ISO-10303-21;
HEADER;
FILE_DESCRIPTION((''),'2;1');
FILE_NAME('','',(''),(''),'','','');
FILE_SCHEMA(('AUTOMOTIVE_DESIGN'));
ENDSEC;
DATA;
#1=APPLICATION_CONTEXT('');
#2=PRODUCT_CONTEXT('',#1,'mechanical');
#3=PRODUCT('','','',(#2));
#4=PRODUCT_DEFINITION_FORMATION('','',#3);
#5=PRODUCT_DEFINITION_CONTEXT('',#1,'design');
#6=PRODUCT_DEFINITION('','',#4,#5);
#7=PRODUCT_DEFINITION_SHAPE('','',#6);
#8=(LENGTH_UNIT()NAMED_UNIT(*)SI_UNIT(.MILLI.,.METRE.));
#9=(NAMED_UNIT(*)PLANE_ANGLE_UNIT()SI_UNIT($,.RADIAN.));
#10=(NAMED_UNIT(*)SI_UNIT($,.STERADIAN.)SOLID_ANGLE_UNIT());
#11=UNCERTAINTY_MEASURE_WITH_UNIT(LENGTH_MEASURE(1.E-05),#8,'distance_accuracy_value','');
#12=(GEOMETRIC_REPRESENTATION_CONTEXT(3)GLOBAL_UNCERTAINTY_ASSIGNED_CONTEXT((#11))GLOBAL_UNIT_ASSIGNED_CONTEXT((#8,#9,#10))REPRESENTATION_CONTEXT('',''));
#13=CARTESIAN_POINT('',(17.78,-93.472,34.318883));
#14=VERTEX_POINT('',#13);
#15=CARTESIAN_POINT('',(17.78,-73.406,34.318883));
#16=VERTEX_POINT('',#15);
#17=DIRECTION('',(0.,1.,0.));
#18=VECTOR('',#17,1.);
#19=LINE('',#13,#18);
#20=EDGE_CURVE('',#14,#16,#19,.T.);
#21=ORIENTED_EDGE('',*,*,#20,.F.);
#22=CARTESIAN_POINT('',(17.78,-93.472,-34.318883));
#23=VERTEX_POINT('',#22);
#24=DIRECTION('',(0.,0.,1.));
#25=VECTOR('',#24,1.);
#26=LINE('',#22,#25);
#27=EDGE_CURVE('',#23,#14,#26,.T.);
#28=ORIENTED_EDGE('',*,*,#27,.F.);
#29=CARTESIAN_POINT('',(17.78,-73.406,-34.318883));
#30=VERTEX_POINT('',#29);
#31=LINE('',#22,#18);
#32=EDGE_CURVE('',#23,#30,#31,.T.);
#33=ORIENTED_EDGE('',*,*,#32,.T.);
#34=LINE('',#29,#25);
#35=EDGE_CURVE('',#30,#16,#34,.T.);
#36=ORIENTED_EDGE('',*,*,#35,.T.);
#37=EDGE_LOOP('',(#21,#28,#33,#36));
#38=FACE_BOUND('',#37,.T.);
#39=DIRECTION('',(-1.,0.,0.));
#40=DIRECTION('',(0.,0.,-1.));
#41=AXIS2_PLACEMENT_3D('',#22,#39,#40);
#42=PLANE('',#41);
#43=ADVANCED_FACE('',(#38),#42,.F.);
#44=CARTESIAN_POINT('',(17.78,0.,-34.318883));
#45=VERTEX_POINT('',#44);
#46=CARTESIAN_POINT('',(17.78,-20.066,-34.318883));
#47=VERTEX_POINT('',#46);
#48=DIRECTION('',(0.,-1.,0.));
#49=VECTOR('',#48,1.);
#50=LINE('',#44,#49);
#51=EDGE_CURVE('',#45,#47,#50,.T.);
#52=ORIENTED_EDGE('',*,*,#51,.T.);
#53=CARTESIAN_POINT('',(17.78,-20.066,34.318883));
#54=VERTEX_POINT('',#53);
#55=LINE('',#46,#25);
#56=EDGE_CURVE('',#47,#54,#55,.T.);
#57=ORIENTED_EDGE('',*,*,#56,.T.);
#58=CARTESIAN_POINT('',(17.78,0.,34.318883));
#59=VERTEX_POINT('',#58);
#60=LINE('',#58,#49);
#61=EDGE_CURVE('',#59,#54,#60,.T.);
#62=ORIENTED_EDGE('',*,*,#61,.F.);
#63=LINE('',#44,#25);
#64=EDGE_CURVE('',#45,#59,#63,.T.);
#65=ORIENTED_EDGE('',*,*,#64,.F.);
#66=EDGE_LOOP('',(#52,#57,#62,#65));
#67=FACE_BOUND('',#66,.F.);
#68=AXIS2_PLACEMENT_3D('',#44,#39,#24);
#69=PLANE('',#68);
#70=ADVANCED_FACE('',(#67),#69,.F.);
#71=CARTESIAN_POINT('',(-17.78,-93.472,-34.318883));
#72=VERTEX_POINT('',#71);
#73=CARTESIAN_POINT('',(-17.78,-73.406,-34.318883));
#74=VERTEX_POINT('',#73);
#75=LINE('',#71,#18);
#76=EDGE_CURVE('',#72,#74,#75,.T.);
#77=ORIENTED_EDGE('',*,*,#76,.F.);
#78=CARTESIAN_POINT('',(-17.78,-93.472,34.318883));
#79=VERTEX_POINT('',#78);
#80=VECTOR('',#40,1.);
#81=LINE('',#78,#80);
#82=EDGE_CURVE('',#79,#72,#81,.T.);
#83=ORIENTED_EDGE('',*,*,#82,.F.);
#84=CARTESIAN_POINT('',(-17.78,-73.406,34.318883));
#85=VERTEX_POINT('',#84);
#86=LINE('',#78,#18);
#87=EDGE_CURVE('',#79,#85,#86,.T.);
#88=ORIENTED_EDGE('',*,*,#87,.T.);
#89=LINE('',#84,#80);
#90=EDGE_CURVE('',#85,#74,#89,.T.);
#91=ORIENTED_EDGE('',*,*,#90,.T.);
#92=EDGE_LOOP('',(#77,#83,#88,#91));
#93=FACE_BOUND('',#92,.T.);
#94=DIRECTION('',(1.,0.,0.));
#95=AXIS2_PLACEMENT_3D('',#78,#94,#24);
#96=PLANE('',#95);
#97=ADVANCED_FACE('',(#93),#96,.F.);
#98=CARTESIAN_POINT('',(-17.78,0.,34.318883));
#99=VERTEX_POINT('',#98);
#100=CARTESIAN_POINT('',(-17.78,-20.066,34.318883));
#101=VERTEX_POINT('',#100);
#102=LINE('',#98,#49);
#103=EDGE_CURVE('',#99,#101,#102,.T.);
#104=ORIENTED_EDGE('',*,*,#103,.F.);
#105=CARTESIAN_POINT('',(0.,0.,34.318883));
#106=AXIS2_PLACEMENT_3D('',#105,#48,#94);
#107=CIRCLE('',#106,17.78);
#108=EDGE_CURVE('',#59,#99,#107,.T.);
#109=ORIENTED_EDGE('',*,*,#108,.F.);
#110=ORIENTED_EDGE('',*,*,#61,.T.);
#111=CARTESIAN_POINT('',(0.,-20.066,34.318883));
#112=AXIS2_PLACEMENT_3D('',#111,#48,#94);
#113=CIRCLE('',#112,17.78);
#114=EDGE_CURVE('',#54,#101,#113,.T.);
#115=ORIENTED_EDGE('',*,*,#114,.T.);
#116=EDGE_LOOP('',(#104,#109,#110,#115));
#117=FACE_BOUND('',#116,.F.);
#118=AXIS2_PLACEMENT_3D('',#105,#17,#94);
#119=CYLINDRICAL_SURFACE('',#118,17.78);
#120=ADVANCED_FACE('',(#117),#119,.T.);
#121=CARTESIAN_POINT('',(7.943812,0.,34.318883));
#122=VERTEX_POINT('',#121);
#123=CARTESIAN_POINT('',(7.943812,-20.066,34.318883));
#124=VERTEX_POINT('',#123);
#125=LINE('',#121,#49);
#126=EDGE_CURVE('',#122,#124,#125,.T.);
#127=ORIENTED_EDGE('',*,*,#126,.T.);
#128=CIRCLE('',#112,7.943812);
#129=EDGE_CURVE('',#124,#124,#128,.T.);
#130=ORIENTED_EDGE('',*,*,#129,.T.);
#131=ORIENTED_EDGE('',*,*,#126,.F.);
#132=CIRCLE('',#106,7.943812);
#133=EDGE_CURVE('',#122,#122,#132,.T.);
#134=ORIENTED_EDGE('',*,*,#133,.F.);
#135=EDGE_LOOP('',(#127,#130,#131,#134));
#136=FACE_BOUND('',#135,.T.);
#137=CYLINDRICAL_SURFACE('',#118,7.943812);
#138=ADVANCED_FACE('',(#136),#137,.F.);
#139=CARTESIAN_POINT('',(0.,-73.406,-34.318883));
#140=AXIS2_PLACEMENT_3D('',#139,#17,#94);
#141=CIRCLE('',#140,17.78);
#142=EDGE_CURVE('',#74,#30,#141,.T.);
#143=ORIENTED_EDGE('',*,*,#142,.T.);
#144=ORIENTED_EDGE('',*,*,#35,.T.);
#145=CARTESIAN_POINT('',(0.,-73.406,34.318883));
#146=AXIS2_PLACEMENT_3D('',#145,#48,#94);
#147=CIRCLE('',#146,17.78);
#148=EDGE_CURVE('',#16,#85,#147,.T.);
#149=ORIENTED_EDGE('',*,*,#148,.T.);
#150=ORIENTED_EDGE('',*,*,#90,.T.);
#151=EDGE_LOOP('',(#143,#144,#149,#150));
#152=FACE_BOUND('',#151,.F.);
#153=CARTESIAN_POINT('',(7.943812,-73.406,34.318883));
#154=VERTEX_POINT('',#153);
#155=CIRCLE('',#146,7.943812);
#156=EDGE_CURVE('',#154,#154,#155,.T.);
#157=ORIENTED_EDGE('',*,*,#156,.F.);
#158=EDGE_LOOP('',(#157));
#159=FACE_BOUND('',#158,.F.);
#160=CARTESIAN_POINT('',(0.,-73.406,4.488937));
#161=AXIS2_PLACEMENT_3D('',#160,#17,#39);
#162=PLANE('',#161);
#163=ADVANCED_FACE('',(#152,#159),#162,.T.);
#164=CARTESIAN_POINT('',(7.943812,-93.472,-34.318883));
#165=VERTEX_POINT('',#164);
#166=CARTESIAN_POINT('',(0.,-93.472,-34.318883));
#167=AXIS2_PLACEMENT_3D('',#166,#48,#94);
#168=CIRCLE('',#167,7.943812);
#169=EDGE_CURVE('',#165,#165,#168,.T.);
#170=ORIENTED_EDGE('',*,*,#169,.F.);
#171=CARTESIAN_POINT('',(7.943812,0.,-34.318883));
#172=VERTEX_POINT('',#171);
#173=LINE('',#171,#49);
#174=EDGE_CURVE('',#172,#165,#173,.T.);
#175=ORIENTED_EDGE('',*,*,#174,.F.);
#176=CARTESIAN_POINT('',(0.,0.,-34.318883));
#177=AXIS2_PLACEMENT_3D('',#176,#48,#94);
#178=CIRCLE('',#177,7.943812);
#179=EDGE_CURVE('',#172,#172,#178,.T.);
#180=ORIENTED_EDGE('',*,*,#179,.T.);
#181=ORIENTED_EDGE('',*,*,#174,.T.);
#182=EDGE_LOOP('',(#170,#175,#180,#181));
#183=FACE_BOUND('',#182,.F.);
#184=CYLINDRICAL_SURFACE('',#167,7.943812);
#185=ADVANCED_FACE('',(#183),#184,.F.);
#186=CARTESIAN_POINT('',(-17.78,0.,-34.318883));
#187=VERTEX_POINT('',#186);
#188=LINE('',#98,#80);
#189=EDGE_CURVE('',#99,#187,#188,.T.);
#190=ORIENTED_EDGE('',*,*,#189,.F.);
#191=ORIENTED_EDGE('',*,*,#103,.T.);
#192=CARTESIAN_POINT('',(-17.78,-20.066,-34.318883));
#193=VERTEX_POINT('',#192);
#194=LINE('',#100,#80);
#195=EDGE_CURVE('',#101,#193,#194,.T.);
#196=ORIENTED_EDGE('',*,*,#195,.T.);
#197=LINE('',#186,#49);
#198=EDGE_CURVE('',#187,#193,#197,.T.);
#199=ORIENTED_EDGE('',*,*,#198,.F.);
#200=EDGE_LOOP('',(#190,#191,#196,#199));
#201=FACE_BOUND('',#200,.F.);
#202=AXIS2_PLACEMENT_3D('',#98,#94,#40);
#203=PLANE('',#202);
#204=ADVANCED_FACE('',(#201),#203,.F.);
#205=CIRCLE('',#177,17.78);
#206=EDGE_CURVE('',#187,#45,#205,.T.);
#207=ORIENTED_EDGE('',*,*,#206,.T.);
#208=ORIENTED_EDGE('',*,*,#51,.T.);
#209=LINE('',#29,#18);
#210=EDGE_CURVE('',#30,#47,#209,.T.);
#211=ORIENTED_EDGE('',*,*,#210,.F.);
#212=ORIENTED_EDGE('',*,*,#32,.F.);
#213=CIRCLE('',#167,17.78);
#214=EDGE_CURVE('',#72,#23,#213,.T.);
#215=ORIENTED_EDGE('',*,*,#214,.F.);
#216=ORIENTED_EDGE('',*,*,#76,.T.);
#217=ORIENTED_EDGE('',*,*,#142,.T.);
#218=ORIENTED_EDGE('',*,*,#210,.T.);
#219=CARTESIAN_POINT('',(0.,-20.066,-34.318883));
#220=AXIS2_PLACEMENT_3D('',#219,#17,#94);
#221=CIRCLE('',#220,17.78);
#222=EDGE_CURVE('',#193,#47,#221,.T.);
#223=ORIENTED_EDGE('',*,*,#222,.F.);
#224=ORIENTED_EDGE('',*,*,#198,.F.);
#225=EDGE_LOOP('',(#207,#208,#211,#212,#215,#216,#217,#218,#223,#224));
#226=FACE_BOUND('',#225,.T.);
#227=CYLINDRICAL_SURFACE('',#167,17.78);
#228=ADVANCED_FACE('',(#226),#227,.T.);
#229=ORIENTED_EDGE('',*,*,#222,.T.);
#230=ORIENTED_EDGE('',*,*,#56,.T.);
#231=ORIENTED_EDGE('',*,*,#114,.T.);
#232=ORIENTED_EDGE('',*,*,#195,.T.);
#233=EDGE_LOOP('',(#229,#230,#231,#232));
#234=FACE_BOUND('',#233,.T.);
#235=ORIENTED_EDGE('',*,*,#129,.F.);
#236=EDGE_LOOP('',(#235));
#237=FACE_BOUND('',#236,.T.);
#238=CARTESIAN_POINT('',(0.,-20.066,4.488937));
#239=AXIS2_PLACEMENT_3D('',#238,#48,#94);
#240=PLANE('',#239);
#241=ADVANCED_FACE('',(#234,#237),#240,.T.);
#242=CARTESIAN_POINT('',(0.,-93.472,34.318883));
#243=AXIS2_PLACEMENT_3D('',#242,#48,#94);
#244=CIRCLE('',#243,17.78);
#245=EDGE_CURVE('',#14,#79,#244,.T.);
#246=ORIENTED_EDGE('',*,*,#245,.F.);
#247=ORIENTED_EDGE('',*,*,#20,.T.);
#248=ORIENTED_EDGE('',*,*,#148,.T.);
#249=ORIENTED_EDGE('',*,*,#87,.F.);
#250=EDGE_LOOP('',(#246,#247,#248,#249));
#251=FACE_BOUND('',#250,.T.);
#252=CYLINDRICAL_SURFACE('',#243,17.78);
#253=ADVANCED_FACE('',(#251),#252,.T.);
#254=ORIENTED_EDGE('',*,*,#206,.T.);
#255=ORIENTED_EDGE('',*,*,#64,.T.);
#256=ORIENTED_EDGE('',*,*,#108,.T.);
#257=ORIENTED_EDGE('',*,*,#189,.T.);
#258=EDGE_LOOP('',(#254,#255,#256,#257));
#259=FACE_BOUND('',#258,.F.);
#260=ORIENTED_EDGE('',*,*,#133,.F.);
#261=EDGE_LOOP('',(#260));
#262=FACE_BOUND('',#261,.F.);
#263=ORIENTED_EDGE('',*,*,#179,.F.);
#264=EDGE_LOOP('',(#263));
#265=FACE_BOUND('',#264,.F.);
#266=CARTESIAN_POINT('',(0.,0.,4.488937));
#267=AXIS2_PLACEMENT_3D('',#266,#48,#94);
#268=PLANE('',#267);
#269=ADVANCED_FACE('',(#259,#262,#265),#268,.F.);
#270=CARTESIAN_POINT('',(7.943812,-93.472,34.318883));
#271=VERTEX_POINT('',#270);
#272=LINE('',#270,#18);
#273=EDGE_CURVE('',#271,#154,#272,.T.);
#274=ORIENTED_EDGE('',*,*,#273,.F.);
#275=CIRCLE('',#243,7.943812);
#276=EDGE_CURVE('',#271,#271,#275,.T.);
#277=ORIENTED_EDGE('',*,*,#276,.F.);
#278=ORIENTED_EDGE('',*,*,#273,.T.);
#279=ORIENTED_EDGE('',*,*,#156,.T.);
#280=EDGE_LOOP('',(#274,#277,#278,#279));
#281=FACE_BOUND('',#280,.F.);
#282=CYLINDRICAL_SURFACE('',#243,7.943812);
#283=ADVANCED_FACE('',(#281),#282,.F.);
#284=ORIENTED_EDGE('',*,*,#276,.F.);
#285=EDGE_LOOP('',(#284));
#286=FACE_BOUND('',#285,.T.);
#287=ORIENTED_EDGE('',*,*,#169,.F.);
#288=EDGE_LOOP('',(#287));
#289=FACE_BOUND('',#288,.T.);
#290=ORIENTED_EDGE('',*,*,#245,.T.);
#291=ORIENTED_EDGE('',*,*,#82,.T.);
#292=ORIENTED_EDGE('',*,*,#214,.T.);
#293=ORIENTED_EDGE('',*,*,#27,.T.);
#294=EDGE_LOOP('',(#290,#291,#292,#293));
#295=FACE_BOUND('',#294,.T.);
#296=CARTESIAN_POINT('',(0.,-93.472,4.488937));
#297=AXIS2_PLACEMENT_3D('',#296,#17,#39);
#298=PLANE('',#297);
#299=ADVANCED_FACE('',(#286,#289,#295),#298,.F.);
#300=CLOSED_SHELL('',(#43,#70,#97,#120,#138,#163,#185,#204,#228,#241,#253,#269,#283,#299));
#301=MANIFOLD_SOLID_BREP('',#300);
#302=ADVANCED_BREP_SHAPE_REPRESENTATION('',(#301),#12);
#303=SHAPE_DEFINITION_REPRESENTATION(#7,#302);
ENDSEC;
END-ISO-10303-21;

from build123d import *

# Parameters (mm, degrees)
F0_R     = 7.943812
F1_DEPTH = 20.066
F2_DEPTH = 46.736


with BuildPart() as f1:
    # F0 (on Front) → F1 (new body)
    with BuildSketch(Plane.XZ):
        with BuildLine():
            Line((17.78, -34.318883), (17.78, 34.318883))
            ThreePointArc((17.78, 34.318883), (0, 52.098883), (-17.78, 34.318883))
            Line((-17.78, 34.318883), (-17.78, -34.318883))
            ThreePointArc((-17.78, -34.318883), (0, -16.538883), (17.78, -34.318883))
        make_face()
        with Locations((0, 34.318883)):
            Circle(F0_R, mode=Mode.SUBTRACT)
        with BuildLine():
            ThreePointArc((-17.78, -34.318883), (0, -52.098883), (17.78, -34.318883))
            ThreePointArc((17.78, -34.318883), (0, -16.538883), (-17.78, -34.318883))
        make_face()
        with Locations((0, -34.318883)):
            Circle(F0_R, mode=Mode.SUBTRACT)
    extrude(amount=F1_DEPTH)

    # F0 (on Front) → F2 (join)
    with BuildSketch(Plane.XZ):
        with BuildLine():
            ThreePointArc((-17.78, -34.318883), (0, -52.098883), (17.78, -34.318883))
            ThreePointArc((17.78, -34.318883), (0, -16.538883), (-17.78, -34.318883))
        make_face()
        with Locations((0, -34.318883)):
            Circle(F0_R, mode=Mode.SUBTRACT)
    extrude(amount=F2_DEPTH)

    # F4: F1 across plane


with BuildPart() as f1_1:
    add(f1.part)
    add(f1.part.mirror(Plane(origin=(0, -46.736, -34.318883), x_dir=(1, 0, 0), z_dir=(0, -1, 0))))


solid = f1_1.part
